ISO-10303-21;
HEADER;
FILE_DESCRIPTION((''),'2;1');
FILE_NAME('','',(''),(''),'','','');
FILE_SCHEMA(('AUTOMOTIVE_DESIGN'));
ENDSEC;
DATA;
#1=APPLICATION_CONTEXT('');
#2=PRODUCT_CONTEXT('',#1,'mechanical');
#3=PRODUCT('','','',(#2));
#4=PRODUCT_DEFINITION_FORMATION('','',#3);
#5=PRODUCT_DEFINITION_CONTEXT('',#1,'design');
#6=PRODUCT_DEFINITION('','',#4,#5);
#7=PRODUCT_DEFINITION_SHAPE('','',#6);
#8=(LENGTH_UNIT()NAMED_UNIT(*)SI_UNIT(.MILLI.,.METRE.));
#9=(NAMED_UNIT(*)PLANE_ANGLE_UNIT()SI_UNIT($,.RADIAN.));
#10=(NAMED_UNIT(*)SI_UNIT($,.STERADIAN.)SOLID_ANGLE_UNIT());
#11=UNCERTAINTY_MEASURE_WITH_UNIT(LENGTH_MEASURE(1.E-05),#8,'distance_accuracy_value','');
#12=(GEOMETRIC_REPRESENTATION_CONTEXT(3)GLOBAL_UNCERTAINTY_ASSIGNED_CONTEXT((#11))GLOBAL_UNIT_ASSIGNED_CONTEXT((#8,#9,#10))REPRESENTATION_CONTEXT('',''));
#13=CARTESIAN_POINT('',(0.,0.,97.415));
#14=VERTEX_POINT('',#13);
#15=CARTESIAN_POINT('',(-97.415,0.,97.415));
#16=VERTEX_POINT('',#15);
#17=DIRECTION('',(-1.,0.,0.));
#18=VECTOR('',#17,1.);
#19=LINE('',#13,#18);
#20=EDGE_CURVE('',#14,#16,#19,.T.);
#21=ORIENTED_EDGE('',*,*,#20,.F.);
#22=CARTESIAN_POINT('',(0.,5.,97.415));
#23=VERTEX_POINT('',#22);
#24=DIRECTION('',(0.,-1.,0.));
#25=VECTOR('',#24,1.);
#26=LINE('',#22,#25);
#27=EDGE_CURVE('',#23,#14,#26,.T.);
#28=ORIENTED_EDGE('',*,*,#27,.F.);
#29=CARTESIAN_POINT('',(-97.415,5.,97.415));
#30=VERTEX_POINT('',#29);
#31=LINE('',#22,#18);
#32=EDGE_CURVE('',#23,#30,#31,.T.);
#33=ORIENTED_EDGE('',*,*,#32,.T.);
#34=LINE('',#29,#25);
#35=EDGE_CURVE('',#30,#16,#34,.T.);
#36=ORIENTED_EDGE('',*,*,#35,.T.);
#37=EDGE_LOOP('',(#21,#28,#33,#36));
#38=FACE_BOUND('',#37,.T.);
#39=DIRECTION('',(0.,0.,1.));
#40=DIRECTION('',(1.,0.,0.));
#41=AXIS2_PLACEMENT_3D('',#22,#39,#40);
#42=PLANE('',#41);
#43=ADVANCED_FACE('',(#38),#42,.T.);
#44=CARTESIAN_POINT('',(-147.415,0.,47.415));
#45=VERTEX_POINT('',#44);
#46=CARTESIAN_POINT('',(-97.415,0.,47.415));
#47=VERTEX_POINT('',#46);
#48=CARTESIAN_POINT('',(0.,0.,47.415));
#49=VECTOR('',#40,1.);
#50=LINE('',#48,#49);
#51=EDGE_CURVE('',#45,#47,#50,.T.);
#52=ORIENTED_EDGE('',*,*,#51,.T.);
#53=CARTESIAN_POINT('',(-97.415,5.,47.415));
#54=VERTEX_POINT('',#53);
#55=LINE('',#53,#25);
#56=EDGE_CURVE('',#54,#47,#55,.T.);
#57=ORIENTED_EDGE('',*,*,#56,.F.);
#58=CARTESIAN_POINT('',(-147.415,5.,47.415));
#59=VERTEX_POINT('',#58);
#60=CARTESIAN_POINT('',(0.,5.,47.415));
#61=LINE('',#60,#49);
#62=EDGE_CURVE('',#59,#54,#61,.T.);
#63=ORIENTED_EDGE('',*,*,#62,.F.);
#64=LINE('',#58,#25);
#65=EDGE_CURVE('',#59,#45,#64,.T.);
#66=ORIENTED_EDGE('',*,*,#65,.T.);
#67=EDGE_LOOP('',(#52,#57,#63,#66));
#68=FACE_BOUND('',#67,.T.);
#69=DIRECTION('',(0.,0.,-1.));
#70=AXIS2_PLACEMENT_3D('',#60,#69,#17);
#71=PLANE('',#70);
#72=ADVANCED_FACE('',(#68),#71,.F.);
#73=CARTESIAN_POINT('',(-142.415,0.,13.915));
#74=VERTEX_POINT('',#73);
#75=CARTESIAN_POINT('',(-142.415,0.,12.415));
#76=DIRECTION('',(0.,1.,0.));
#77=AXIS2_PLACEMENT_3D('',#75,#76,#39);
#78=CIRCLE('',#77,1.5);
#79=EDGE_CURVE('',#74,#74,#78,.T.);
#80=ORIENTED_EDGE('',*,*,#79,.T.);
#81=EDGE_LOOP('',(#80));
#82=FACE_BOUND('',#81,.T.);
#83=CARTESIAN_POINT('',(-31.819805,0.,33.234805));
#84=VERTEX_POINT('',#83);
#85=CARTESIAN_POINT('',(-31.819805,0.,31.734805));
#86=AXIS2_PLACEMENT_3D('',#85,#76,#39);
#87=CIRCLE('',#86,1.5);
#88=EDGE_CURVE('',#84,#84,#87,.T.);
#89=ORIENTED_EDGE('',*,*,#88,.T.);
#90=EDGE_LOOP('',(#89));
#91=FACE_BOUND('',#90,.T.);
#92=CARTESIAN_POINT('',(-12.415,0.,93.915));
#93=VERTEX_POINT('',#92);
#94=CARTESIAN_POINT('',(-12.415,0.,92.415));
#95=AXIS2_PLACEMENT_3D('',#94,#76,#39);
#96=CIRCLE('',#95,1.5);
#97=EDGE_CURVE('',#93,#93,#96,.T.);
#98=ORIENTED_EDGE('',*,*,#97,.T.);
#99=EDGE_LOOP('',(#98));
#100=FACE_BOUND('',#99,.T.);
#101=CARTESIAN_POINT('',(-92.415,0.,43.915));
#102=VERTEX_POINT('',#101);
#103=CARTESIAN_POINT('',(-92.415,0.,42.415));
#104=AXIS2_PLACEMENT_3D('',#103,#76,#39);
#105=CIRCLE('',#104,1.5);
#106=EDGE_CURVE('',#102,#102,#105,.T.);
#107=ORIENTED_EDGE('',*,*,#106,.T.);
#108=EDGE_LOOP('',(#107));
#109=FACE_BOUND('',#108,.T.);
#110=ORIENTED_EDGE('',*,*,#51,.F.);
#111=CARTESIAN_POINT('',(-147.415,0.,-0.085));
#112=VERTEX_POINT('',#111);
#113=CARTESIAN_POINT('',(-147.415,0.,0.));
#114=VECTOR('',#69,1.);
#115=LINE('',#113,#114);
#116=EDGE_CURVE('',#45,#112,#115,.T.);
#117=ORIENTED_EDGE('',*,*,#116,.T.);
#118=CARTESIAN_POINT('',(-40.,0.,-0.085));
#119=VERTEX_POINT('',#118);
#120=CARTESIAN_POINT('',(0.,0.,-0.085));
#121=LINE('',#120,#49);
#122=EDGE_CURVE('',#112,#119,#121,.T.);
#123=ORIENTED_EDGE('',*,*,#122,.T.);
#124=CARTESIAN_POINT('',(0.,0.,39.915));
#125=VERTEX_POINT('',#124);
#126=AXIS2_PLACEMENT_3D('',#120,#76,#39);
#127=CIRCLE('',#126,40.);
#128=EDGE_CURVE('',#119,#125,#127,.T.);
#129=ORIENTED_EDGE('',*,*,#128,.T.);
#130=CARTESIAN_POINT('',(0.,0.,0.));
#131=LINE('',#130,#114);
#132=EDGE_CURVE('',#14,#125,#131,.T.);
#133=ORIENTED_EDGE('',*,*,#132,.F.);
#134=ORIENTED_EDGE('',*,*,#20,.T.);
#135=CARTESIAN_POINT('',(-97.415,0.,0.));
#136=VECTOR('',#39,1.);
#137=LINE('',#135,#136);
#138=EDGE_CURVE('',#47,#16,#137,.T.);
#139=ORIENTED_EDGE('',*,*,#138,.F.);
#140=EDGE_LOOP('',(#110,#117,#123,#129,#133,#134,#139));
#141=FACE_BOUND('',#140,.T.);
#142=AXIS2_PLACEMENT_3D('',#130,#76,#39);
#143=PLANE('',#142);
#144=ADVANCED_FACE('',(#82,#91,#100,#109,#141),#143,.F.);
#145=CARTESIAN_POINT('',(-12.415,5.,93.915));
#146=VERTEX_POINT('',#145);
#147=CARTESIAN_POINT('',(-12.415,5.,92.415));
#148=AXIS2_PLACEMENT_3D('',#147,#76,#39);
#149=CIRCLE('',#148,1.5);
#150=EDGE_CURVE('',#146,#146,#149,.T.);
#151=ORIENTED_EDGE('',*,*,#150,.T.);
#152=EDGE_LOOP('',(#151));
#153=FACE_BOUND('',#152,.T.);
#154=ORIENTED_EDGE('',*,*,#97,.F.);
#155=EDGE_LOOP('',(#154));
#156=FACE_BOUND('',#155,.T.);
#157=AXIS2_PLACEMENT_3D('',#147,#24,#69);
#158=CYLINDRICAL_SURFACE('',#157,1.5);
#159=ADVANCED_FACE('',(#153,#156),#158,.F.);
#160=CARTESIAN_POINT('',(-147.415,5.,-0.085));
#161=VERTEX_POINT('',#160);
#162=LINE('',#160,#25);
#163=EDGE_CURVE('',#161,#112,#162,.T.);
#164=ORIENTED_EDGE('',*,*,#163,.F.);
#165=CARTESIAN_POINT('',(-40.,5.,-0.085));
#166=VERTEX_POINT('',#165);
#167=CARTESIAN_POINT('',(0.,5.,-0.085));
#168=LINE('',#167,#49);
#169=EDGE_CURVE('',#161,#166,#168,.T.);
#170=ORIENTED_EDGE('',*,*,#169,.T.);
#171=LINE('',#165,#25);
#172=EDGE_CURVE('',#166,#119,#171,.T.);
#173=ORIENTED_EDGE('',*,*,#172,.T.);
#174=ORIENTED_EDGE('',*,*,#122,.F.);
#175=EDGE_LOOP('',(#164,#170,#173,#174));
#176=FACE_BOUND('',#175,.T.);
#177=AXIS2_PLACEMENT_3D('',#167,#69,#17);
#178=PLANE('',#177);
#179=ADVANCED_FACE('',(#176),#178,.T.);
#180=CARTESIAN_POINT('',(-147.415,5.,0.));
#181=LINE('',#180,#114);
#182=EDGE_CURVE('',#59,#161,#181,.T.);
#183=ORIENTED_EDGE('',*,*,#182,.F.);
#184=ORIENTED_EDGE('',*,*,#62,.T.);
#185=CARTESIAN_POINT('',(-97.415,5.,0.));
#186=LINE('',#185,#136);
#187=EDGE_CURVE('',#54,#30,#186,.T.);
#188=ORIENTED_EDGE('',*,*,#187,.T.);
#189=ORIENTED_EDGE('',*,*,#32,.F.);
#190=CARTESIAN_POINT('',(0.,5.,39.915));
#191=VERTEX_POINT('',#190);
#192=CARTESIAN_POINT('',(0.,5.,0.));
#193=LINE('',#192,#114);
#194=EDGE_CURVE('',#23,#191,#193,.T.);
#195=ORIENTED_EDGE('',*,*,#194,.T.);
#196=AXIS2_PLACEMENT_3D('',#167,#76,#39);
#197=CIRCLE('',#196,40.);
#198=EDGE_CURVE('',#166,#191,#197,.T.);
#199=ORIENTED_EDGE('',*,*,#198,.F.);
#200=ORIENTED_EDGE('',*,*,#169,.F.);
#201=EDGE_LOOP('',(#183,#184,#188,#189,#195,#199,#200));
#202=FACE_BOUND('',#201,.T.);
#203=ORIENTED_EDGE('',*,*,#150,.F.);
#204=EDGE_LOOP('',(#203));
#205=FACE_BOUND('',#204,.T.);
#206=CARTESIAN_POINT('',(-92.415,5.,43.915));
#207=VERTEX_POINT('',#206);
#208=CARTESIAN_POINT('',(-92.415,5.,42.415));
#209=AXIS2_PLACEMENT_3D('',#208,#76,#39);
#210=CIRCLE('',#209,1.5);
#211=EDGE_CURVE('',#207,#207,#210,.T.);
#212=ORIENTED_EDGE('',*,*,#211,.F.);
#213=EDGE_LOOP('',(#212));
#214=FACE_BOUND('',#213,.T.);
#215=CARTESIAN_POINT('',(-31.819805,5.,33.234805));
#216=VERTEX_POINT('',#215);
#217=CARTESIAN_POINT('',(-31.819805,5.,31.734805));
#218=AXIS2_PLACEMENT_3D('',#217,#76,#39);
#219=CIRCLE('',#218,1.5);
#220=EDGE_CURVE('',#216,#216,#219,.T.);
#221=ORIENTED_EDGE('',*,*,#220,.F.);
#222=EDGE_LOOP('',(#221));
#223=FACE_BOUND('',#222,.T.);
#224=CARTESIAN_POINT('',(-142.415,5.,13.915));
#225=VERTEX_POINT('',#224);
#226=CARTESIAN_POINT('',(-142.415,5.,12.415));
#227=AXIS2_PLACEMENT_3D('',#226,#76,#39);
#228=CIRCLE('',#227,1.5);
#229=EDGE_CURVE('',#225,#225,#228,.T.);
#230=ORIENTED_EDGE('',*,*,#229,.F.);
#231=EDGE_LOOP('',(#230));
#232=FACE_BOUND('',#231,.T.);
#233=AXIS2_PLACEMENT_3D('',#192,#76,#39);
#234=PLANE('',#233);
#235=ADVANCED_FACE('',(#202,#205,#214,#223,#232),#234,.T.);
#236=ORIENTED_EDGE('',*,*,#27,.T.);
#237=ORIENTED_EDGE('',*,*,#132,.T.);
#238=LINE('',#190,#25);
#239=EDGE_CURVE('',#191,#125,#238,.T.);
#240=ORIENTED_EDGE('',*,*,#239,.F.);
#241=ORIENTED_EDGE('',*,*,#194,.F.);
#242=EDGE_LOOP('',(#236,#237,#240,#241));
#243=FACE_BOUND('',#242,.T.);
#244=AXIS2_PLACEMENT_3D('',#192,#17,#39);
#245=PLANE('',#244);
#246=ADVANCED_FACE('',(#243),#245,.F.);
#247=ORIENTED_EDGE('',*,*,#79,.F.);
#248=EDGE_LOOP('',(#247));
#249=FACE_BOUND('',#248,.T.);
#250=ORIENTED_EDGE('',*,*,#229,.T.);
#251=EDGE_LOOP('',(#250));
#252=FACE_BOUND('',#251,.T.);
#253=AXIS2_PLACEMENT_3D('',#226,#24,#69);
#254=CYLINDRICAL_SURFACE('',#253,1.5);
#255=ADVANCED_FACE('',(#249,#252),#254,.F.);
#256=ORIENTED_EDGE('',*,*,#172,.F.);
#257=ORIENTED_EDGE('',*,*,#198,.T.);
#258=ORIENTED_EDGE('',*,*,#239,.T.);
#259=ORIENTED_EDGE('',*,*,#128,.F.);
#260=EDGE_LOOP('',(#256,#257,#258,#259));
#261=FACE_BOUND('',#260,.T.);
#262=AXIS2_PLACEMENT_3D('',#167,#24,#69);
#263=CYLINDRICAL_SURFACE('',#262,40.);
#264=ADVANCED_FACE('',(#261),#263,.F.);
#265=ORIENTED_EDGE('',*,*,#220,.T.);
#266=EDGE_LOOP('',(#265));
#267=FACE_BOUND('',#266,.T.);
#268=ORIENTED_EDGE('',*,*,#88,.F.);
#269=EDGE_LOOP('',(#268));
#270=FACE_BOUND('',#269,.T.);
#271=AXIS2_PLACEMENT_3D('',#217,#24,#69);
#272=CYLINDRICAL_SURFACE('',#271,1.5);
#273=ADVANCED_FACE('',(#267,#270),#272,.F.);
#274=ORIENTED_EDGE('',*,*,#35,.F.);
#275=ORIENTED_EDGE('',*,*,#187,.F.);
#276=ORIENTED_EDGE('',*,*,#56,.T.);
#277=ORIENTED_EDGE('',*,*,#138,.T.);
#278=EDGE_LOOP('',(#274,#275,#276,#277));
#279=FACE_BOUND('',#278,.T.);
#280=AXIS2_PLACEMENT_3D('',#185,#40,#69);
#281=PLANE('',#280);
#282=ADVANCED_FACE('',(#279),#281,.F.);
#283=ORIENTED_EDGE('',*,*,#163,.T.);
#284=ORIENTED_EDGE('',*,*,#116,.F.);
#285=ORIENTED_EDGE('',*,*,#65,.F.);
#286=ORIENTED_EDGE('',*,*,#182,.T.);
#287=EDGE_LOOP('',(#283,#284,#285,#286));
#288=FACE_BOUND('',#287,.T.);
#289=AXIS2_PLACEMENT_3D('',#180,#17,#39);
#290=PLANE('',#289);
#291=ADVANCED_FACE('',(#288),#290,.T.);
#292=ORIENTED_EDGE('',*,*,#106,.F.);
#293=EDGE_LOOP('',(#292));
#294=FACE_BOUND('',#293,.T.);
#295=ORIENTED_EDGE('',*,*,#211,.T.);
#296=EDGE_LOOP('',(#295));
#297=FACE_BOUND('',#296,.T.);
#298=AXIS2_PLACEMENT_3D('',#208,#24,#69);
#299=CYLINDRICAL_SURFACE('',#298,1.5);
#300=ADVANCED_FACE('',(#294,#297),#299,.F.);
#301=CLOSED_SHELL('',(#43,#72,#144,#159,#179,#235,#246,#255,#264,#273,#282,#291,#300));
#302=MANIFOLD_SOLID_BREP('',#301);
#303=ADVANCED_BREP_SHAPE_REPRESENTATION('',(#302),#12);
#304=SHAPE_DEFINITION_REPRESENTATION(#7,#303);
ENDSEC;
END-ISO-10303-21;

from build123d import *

# Parameters (mm, degrees)
ESQUISSE1_R        = 1.5
BOSS_EXTRU_1_DEPTH = 5


with BuildPart() as part:
    # Esquisse1 → Boss.-Extru.1 (new body)
    with BuildSketch(Plane(origin=(0, 0, 0), x_dir=(1, 0, 0), z_dir=(0, 1, 0))):
        with BuildLine():
            Line((-97.415, -97.415), (0, -97.415))
            Line((0, -97.415), (0, -39.915))
            ThreePointArc((0, -39.915), (-28.284271247, -28.199271247), (-40, 0.085))
            Line((-40, 0.085), (-147.415, 0.085))
            Line((-147.415, 0.085), (-147.415, -47.415))
            Line((-147.415, -47.415), (-97.415, -47.415))
            Line((-97.415, -47.415), (-97.415, -97.415))
        make_face()
        with Locations(Location((-12.415, -92.415, 0), (0, 0, 270))):
            Circle(ESQUISSE1_R, mode=Mode.SUBTRACT)
        with Locations(Location((-92.415, -42.415, 0), (0, 0, 270))):
            Circle(ESQUISSE1_R, mode=Mode.SUBTRACT)
        with Locations(Location((-142.415, -12.415, 0), (0, 0, 270))):
            Circle(ESQUISSE1_R, mode=Mode.SUBTRACT)
        with Locations(Location((-31.819805153, -31.734805153, 0), (0, 0, 270))):
            Circle(ESQUISSE1_R, mode=Mode.SUBTRACT)
    extrude(amount=BOSS_EXTRU_1_DEPTH)


solid = part.part
